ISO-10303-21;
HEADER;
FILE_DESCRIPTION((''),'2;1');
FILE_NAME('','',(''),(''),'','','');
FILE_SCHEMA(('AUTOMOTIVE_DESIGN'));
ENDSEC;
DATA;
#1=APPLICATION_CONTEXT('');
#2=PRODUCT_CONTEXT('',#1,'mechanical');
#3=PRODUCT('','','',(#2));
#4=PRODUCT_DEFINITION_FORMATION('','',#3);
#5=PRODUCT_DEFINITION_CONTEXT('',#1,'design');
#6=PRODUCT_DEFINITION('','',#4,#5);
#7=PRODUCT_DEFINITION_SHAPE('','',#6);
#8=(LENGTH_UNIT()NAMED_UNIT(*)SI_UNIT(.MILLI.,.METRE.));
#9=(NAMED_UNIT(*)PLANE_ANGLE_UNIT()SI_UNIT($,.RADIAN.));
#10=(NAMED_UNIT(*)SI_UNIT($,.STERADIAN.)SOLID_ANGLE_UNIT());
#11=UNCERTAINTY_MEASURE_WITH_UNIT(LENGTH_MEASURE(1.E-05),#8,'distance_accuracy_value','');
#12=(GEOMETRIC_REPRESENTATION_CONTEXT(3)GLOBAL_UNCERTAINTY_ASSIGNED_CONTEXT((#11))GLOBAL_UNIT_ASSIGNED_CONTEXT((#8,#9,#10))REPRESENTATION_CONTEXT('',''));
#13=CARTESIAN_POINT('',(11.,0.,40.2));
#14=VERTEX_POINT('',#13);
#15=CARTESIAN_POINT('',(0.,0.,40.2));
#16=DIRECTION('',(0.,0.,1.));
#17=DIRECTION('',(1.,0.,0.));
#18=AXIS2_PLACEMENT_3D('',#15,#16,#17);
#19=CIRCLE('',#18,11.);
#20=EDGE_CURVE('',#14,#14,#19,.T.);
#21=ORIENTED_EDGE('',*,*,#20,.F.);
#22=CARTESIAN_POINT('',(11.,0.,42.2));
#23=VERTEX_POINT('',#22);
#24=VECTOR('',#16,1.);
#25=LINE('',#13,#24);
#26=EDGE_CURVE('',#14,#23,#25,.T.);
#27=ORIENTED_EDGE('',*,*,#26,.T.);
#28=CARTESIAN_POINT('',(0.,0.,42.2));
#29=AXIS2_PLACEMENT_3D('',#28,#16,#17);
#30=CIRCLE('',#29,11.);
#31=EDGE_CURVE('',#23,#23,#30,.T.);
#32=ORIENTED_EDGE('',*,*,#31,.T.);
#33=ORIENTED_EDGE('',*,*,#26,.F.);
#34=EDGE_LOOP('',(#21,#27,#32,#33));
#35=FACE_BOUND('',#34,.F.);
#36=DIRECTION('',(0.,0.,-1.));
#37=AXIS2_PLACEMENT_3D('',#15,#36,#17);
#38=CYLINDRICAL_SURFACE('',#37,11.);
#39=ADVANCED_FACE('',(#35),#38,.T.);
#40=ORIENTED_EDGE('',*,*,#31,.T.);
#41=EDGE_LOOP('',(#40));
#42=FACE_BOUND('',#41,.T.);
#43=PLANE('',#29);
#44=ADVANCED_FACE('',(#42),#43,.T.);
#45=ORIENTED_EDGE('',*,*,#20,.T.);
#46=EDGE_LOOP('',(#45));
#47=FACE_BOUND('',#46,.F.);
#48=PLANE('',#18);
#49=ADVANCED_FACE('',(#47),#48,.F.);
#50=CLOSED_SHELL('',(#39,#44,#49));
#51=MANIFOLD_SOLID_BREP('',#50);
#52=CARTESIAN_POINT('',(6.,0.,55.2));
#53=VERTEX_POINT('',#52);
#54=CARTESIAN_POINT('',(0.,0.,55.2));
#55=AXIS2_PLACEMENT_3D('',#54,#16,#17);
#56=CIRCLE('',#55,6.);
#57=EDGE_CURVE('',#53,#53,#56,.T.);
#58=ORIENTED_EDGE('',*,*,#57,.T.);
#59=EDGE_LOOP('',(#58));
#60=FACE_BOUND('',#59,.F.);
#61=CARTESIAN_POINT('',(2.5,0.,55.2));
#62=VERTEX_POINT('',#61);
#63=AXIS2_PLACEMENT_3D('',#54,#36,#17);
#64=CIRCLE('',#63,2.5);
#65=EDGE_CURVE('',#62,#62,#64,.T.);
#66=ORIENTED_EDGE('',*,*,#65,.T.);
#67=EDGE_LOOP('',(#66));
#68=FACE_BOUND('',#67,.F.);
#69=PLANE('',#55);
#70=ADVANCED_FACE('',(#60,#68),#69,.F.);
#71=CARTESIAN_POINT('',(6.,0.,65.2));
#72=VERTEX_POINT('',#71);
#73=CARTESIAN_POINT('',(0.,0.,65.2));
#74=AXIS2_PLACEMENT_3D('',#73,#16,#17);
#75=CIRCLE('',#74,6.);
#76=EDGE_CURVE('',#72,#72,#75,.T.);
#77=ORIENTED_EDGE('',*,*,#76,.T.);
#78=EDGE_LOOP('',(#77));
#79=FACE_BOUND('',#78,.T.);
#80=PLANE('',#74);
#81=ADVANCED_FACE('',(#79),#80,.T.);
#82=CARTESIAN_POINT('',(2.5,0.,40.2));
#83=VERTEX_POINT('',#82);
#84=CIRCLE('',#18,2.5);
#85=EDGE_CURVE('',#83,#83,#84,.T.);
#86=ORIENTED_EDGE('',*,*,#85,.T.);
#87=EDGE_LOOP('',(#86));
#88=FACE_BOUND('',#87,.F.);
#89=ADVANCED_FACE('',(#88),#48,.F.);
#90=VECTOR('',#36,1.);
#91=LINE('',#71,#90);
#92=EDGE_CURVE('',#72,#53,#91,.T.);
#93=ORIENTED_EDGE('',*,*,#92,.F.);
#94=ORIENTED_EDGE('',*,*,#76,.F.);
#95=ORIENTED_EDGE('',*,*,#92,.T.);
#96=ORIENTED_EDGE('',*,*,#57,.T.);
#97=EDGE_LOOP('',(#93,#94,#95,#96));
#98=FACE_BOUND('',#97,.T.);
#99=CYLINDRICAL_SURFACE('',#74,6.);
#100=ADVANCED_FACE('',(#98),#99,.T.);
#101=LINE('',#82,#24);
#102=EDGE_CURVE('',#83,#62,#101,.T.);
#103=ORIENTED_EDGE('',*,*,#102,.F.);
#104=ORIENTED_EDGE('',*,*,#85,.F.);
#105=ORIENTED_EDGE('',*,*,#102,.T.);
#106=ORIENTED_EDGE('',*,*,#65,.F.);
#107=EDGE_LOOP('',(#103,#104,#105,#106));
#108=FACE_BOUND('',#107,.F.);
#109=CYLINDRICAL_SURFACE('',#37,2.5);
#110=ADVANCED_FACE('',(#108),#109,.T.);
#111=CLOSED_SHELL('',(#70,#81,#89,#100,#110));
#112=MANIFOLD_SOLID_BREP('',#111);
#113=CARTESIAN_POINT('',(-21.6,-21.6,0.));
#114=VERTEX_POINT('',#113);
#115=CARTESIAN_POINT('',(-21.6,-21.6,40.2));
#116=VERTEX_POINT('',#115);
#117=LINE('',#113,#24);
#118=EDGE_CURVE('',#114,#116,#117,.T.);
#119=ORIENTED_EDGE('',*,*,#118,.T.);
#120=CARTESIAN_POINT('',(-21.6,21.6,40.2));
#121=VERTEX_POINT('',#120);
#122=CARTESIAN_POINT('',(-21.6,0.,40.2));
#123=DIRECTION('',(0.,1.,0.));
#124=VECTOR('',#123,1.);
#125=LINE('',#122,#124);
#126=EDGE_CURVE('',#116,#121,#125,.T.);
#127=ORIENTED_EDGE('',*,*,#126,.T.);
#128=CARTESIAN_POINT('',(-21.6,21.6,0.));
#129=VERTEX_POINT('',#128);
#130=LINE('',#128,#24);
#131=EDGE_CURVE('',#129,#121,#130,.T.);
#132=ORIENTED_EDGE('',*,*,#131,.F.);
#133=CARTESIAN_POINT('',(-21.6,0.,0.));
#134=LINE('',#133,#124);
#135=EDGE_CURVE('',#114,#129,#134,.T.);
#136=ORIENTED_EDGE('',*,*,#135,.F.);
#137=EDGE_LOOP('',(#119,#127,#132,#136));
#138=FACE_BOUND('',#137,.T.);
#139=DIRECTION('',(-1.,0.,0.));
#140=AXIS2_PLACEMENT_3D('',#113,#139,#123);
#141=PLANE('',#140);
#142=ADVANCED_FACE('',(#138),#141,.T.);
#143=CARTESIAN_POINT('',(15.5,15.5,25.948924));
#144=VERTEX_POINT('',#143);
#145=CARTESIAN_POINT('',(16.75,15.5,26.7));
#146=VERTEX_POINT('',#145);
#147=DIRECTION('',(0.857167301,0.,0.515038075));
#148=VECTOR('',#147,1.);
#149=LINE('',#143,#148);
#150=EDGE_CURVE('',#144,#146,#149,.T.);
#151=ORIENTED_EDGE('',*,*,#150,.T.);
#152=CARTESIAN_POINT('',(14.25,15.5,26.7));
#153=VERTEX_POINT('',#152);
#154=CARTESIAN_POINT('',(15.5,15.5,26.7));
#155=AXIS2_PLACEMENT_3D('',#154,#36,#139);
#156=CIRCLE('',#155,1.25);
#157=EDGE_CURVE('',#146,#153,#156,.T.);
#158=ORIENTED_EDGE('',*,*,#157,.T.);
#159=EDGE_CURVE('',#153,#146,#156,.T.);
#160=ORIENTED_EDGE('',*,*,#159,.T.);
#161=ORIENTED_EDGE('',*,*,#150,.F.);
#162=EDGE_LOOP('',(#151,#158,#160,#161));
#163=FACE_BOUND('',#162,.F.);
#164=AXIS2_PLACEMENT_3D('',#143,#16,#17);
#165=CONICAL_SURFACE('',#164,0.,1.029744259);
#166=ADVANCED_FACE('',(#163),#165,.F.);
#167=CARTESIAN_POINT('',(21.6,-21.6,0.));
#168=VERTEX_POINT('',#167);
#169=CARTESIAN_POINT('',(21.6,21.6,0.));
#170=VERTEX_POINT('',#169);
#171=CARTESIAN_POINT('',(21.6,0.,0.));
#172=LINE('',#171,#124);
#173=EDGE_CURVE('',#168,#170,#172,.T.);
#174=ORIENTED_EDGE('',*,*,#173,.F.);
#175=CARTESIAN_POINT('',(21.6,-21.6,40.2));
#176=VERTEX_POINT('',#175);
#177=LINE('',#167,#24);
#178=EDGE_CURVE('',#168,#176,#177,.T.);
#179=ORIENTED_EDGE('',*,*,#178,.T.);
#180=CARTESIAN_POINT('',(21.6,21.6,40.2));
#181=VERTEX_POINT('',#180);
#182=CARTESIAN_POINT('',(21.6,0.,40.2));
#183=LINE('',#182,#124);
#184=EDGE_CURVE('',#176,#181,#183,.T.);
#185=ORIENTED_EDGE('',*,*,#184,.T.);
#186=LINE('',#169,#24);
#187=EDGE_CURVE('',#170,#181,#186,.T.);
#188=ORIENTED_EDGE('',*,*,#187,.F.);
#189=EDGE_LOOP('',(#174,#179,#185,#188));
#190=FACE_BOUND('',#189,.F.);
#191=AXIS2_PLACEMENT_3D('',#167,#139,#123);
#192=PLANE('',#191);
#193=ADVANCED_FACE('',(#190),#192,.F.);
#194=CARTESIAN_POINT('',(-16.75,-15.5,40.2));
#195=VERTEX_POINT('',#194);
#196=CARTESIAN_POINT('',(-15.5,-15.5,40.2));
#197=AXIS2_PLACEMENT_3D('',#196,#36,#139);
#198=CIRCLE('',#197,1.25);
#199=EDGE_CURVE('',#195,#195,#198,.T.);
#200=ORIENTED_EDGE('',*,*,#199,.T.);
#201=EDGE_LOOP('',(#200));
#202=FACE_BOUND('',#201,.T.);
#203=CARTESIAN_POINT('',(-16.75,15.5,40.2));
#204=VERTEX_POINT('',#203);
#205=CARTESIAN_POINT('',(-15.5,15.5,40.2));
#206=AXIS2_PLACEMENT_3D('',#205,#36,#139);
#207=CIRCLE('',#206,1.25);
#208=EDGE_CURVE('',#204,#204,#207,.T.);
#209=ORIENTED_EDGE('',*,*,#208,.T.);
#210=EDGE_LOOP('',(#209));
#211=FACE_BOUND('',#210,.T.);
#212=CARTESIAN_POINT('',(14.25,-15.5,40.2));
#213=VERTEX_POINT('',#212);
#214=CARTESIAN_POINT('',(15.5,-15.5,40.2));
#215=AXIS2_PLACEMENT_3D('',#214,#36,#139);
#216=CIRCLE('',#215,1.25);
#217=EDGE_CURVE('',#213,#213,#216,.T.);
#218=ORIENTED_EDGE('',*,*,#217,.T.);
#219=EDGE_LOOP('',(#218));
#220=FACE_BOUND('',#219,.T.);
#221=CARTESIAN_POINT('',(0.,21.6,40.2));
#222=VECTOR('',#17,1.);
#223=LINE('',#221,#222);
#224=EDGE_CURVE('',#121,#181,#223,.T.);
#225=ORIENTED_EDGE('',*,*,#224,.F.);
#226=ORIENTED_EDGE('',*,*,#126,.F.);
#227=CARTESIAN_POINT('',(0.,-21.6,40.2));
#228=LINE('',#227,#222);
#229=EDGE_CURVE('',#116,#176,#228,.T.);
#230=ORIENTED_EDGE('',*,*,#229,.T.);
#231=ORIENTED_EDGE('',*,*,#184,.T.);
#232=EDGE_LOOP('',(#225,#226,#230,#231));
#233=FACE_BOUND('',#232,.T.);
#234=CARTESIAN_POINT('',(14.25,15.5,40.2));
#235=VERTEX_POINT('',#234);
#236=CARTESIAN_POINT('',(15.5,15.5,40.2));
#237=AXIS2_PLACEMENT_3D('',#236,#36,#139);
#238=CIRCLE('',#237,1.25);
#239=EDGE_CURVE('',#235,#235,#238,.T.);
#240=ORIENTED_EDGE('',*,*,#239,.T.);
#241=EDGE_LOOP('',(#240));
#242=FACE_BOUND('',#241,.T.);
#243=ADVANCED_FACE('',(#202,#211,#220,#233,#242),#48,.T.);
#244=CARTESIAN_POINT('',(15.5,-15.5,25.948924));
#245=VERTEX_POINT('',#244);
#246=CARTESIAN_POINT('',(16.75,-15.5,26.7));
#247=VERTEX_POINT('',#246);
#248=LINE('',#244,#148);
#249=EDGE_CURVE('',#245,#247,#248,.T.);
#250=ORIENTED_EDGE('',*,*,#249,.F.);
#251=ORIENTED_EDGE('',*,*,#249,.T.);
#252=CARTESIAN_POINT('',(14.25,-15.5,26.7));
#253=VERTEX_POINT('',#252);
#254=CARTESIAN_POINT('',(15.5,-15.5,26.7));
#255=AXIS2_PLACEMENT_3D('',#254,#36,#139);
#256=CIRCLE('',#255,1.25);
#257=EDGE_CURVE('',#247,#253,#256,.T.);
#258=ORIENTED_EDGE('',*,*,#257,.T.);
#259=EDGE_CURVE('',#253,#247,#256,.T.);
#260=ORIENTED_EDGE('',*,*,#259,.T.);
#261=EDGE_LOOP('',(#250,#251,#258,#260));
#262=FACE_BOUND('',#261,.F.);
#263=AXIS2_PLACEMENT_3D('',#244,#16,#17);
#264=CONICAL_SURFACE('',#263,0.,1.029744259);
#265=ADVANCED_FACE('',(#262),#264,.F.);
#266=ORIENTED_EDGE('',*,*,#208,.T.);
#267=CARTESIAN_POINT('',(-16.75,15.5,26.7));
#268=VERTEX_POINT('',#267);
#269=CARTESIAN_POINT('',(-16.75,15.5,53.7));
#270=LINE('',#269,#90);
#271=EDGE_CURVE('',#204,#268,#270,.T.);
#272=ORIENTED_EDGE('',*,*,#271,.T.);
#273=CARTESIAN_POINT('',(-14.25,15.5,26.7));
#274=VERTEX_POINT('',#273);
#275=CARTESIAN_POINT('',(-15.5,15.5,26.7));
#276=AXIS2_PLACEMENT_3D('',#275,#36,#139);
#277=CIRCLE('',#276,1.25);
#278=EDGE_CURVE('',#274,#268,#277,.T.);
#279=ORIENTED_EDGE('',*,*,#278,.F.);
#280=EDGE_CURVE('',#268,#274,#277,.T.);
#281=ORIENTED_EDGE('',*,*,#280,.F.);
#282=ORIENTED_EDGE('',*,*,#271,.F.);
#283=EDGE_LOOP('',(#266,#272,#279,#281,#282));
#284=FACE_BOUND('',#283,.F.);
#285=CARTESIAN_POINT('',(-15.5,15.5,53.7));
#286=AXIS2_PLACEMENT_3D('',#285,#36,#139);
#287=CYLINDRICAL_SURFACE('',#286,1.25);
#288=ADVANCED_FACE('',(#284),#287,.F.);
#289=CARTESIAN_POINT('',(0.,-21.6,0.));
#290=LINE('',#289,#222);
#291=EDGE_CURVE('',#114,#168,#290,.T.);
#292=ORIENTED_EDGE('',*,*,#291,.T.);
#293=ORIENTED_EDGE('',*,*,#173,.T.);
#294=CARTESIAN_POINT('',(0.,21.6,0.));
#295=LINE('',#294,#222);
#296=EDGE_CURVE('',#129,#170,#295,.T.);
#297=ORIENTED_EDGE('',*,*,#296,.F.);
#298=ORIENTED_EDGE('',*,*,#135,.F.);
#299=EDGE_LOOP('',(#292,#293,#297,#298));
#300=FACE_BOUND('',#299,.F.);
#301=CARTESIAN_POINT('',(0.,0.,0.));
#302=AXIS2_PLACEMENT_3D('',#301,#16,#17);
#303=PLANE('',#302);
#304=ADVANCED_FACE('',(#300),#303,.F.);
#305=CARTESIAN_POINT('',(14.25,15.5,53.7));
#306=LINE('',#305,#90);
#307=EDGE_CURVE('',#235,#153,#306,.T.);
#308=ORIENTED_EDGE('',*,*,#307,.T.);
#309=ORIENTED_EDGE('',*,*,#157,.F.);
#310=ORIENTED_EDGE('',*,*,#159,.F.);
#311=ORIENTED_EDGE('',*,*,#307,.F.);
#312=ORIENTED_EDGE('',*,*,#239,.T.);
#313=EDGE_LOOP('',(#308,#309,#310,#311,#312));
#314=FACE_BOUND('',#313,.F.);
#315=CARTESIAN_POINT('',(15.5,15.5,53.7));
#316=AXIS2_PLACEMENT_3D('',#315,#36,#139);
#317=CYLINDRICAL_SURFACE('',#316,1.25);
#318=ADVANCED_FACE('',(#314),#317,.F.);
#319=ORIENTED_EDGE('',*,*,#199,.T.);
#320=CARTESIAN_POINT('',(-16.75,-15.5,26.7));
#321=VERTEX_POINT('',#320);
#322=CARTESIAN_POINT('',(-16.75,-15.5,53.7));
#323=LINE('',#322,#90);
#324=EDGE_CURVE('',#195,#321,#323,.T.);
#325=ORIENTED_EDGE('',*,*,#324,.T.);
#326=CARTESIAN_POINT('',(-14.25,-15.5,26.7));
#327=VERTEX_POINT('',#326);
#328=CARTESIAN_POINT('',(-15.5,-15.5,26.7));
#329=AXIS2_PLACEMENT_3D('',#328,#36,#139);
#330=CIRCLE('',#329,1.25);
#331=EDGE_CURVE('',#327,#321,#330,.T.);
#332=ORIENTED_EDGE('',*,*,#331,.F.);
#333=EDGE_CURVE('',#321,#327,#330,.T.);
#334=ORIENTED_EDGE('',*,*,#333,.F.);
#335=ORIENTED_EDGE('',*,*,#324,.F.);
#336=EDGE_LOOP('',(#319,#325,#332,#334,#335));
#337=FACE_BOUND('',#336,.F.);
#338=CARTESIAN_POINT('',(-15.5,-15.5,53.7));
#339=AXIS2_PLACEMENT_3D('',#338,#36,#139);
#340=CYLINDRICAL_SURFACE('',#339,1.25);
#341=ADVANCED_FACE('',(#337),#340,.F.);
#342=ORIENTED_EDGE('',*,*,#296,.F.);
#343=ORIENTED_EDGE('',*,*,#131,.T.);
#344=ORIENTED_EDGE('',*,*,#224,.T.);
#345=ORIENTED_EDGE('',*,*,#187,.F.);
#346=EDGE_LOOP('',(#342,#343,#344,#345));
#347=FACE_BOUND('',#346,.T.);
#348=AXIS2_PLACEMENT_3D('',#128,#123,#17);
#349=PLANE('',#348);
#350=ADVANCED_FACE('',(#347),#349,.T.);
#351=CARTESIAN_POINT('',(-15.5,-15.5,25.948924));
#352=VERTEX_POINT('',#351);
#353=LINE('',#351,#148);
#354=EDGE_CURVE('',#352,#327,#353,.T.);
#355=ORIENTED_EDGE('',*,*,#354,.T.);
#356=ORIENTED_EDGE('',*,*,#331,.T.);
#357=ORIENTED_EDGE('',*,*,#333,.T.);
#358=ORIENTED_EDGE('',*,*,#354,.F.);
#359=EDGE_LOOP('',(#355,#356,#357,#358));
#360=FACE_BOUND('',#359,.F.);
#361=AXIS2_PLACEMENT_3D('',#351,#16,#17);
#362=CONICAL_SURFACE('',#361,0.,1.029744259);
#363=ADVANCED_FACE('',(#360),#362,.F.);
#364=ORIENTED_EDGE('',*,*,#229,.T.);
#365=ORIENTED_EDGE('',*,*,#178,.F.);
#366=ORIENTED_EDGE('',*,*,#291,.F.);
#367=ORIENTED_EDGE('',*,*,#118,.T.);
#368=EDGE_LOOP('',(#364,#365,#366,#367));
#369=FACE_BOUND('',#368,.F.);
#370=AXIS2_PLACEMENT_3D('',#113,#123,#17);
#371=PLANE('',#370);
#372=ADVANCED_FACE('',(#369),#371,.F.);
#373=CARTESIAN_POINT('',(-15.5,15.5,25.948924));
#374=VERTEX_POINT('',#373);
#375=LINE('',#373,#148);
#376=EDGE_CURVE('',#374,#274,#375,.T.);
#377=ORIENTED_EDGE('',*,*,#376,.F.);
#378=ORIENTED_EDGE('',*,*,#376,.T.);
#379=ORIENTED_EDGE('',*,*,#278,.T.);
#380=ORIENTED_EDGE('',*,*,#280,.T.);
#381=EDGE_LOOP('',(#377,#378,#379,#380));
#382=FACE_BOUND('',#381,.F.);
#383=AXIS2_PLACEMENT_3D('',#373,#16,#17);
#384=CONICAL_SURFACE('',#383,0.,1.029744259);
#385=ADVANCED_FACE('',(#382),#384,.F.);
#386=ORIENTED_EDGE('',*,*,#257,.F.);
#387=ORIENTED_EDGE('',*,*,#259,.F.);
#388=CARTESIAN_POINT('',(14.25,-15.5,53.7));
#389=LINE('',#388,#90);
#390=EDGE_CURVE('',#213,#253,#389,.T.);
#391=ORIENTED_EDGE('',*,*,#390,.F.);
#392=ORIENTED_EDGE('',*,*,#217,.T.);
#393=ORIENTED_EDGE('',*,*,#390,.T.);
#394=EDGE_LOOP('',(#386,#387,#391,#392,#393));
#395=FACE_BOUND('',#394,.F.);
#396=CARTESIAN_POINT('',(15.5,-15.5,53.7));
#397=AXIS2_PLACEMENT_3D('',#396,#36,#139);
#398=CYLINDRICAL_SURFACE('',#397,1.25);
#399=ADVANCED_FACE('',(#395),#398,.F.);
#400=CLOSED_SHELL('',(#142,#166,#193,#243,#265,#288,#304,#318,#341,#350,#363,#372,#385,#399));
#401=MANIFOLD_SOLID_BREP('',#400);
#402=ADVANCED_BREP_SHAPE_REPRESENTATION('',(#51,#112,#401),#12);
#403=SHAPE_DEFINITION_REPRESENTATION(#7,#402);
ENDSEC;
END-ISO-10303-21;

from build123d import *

# Parameters (mm, degrees)
F0_W     = 43.2
F0_H     = 43.2
F1_DEPTH = 40.2
F2_R     = 2.5
F3_DEPTH = 25
F4_D     = 2.5
F4_DEPTH = 13.5
F4_TIP   = 0.7510757738
F5_R     = 11
F6_DEPTH = 2
F7_R     = 6
F8_DEPTH = 10


with BuildPart() as f1:
    # F0 (on Top) → F1 (new body)
    with BuildSketch(Plane.XY):
        Rectangle(F0_W, F0_H)
    extrude(amount=F1_DEPTH)

    # F4
    with Locations(Plane.XY.offset(40.2)):
        with Locations((-15.5, -15.5), (-15.5, 15.5), (15.5, 15.5), (15.5, -15.5)):
            Hole(F4_D / 2, depth=F4_DEPTH)
            with Locations((0, 0, -(F4_DEPTH + F4_TIP / 2))):  # 118° drill point
                Cone(0, F4_D / 2, F4_TIP, mode=Mode.SUBTRACT)


with BuildPart() as f3:
    # F2 (on face) → F3 (new body)
    with BuildSketch(Plane.XY.offset(40.2)):
        Circle(F2_R)
    extrude(amount=F3_DEPTH)

    # F7 (on face) → F8 (join)
    with BuildSketch(Plane.XY.offset(65.2)):
        Circle(F7_R)
    extrude(amount=-F8_DEPTH)


with BuildPart() as f6:
    # F5 (on face) → F6 (new body)
    with BuildSketch(Plane.XY.offset(40.2)):
        Circle(F5_R)
    extrude(amount=F6_DEPTH)


solid = Compound([f1.part, f3.part, f6.part])
